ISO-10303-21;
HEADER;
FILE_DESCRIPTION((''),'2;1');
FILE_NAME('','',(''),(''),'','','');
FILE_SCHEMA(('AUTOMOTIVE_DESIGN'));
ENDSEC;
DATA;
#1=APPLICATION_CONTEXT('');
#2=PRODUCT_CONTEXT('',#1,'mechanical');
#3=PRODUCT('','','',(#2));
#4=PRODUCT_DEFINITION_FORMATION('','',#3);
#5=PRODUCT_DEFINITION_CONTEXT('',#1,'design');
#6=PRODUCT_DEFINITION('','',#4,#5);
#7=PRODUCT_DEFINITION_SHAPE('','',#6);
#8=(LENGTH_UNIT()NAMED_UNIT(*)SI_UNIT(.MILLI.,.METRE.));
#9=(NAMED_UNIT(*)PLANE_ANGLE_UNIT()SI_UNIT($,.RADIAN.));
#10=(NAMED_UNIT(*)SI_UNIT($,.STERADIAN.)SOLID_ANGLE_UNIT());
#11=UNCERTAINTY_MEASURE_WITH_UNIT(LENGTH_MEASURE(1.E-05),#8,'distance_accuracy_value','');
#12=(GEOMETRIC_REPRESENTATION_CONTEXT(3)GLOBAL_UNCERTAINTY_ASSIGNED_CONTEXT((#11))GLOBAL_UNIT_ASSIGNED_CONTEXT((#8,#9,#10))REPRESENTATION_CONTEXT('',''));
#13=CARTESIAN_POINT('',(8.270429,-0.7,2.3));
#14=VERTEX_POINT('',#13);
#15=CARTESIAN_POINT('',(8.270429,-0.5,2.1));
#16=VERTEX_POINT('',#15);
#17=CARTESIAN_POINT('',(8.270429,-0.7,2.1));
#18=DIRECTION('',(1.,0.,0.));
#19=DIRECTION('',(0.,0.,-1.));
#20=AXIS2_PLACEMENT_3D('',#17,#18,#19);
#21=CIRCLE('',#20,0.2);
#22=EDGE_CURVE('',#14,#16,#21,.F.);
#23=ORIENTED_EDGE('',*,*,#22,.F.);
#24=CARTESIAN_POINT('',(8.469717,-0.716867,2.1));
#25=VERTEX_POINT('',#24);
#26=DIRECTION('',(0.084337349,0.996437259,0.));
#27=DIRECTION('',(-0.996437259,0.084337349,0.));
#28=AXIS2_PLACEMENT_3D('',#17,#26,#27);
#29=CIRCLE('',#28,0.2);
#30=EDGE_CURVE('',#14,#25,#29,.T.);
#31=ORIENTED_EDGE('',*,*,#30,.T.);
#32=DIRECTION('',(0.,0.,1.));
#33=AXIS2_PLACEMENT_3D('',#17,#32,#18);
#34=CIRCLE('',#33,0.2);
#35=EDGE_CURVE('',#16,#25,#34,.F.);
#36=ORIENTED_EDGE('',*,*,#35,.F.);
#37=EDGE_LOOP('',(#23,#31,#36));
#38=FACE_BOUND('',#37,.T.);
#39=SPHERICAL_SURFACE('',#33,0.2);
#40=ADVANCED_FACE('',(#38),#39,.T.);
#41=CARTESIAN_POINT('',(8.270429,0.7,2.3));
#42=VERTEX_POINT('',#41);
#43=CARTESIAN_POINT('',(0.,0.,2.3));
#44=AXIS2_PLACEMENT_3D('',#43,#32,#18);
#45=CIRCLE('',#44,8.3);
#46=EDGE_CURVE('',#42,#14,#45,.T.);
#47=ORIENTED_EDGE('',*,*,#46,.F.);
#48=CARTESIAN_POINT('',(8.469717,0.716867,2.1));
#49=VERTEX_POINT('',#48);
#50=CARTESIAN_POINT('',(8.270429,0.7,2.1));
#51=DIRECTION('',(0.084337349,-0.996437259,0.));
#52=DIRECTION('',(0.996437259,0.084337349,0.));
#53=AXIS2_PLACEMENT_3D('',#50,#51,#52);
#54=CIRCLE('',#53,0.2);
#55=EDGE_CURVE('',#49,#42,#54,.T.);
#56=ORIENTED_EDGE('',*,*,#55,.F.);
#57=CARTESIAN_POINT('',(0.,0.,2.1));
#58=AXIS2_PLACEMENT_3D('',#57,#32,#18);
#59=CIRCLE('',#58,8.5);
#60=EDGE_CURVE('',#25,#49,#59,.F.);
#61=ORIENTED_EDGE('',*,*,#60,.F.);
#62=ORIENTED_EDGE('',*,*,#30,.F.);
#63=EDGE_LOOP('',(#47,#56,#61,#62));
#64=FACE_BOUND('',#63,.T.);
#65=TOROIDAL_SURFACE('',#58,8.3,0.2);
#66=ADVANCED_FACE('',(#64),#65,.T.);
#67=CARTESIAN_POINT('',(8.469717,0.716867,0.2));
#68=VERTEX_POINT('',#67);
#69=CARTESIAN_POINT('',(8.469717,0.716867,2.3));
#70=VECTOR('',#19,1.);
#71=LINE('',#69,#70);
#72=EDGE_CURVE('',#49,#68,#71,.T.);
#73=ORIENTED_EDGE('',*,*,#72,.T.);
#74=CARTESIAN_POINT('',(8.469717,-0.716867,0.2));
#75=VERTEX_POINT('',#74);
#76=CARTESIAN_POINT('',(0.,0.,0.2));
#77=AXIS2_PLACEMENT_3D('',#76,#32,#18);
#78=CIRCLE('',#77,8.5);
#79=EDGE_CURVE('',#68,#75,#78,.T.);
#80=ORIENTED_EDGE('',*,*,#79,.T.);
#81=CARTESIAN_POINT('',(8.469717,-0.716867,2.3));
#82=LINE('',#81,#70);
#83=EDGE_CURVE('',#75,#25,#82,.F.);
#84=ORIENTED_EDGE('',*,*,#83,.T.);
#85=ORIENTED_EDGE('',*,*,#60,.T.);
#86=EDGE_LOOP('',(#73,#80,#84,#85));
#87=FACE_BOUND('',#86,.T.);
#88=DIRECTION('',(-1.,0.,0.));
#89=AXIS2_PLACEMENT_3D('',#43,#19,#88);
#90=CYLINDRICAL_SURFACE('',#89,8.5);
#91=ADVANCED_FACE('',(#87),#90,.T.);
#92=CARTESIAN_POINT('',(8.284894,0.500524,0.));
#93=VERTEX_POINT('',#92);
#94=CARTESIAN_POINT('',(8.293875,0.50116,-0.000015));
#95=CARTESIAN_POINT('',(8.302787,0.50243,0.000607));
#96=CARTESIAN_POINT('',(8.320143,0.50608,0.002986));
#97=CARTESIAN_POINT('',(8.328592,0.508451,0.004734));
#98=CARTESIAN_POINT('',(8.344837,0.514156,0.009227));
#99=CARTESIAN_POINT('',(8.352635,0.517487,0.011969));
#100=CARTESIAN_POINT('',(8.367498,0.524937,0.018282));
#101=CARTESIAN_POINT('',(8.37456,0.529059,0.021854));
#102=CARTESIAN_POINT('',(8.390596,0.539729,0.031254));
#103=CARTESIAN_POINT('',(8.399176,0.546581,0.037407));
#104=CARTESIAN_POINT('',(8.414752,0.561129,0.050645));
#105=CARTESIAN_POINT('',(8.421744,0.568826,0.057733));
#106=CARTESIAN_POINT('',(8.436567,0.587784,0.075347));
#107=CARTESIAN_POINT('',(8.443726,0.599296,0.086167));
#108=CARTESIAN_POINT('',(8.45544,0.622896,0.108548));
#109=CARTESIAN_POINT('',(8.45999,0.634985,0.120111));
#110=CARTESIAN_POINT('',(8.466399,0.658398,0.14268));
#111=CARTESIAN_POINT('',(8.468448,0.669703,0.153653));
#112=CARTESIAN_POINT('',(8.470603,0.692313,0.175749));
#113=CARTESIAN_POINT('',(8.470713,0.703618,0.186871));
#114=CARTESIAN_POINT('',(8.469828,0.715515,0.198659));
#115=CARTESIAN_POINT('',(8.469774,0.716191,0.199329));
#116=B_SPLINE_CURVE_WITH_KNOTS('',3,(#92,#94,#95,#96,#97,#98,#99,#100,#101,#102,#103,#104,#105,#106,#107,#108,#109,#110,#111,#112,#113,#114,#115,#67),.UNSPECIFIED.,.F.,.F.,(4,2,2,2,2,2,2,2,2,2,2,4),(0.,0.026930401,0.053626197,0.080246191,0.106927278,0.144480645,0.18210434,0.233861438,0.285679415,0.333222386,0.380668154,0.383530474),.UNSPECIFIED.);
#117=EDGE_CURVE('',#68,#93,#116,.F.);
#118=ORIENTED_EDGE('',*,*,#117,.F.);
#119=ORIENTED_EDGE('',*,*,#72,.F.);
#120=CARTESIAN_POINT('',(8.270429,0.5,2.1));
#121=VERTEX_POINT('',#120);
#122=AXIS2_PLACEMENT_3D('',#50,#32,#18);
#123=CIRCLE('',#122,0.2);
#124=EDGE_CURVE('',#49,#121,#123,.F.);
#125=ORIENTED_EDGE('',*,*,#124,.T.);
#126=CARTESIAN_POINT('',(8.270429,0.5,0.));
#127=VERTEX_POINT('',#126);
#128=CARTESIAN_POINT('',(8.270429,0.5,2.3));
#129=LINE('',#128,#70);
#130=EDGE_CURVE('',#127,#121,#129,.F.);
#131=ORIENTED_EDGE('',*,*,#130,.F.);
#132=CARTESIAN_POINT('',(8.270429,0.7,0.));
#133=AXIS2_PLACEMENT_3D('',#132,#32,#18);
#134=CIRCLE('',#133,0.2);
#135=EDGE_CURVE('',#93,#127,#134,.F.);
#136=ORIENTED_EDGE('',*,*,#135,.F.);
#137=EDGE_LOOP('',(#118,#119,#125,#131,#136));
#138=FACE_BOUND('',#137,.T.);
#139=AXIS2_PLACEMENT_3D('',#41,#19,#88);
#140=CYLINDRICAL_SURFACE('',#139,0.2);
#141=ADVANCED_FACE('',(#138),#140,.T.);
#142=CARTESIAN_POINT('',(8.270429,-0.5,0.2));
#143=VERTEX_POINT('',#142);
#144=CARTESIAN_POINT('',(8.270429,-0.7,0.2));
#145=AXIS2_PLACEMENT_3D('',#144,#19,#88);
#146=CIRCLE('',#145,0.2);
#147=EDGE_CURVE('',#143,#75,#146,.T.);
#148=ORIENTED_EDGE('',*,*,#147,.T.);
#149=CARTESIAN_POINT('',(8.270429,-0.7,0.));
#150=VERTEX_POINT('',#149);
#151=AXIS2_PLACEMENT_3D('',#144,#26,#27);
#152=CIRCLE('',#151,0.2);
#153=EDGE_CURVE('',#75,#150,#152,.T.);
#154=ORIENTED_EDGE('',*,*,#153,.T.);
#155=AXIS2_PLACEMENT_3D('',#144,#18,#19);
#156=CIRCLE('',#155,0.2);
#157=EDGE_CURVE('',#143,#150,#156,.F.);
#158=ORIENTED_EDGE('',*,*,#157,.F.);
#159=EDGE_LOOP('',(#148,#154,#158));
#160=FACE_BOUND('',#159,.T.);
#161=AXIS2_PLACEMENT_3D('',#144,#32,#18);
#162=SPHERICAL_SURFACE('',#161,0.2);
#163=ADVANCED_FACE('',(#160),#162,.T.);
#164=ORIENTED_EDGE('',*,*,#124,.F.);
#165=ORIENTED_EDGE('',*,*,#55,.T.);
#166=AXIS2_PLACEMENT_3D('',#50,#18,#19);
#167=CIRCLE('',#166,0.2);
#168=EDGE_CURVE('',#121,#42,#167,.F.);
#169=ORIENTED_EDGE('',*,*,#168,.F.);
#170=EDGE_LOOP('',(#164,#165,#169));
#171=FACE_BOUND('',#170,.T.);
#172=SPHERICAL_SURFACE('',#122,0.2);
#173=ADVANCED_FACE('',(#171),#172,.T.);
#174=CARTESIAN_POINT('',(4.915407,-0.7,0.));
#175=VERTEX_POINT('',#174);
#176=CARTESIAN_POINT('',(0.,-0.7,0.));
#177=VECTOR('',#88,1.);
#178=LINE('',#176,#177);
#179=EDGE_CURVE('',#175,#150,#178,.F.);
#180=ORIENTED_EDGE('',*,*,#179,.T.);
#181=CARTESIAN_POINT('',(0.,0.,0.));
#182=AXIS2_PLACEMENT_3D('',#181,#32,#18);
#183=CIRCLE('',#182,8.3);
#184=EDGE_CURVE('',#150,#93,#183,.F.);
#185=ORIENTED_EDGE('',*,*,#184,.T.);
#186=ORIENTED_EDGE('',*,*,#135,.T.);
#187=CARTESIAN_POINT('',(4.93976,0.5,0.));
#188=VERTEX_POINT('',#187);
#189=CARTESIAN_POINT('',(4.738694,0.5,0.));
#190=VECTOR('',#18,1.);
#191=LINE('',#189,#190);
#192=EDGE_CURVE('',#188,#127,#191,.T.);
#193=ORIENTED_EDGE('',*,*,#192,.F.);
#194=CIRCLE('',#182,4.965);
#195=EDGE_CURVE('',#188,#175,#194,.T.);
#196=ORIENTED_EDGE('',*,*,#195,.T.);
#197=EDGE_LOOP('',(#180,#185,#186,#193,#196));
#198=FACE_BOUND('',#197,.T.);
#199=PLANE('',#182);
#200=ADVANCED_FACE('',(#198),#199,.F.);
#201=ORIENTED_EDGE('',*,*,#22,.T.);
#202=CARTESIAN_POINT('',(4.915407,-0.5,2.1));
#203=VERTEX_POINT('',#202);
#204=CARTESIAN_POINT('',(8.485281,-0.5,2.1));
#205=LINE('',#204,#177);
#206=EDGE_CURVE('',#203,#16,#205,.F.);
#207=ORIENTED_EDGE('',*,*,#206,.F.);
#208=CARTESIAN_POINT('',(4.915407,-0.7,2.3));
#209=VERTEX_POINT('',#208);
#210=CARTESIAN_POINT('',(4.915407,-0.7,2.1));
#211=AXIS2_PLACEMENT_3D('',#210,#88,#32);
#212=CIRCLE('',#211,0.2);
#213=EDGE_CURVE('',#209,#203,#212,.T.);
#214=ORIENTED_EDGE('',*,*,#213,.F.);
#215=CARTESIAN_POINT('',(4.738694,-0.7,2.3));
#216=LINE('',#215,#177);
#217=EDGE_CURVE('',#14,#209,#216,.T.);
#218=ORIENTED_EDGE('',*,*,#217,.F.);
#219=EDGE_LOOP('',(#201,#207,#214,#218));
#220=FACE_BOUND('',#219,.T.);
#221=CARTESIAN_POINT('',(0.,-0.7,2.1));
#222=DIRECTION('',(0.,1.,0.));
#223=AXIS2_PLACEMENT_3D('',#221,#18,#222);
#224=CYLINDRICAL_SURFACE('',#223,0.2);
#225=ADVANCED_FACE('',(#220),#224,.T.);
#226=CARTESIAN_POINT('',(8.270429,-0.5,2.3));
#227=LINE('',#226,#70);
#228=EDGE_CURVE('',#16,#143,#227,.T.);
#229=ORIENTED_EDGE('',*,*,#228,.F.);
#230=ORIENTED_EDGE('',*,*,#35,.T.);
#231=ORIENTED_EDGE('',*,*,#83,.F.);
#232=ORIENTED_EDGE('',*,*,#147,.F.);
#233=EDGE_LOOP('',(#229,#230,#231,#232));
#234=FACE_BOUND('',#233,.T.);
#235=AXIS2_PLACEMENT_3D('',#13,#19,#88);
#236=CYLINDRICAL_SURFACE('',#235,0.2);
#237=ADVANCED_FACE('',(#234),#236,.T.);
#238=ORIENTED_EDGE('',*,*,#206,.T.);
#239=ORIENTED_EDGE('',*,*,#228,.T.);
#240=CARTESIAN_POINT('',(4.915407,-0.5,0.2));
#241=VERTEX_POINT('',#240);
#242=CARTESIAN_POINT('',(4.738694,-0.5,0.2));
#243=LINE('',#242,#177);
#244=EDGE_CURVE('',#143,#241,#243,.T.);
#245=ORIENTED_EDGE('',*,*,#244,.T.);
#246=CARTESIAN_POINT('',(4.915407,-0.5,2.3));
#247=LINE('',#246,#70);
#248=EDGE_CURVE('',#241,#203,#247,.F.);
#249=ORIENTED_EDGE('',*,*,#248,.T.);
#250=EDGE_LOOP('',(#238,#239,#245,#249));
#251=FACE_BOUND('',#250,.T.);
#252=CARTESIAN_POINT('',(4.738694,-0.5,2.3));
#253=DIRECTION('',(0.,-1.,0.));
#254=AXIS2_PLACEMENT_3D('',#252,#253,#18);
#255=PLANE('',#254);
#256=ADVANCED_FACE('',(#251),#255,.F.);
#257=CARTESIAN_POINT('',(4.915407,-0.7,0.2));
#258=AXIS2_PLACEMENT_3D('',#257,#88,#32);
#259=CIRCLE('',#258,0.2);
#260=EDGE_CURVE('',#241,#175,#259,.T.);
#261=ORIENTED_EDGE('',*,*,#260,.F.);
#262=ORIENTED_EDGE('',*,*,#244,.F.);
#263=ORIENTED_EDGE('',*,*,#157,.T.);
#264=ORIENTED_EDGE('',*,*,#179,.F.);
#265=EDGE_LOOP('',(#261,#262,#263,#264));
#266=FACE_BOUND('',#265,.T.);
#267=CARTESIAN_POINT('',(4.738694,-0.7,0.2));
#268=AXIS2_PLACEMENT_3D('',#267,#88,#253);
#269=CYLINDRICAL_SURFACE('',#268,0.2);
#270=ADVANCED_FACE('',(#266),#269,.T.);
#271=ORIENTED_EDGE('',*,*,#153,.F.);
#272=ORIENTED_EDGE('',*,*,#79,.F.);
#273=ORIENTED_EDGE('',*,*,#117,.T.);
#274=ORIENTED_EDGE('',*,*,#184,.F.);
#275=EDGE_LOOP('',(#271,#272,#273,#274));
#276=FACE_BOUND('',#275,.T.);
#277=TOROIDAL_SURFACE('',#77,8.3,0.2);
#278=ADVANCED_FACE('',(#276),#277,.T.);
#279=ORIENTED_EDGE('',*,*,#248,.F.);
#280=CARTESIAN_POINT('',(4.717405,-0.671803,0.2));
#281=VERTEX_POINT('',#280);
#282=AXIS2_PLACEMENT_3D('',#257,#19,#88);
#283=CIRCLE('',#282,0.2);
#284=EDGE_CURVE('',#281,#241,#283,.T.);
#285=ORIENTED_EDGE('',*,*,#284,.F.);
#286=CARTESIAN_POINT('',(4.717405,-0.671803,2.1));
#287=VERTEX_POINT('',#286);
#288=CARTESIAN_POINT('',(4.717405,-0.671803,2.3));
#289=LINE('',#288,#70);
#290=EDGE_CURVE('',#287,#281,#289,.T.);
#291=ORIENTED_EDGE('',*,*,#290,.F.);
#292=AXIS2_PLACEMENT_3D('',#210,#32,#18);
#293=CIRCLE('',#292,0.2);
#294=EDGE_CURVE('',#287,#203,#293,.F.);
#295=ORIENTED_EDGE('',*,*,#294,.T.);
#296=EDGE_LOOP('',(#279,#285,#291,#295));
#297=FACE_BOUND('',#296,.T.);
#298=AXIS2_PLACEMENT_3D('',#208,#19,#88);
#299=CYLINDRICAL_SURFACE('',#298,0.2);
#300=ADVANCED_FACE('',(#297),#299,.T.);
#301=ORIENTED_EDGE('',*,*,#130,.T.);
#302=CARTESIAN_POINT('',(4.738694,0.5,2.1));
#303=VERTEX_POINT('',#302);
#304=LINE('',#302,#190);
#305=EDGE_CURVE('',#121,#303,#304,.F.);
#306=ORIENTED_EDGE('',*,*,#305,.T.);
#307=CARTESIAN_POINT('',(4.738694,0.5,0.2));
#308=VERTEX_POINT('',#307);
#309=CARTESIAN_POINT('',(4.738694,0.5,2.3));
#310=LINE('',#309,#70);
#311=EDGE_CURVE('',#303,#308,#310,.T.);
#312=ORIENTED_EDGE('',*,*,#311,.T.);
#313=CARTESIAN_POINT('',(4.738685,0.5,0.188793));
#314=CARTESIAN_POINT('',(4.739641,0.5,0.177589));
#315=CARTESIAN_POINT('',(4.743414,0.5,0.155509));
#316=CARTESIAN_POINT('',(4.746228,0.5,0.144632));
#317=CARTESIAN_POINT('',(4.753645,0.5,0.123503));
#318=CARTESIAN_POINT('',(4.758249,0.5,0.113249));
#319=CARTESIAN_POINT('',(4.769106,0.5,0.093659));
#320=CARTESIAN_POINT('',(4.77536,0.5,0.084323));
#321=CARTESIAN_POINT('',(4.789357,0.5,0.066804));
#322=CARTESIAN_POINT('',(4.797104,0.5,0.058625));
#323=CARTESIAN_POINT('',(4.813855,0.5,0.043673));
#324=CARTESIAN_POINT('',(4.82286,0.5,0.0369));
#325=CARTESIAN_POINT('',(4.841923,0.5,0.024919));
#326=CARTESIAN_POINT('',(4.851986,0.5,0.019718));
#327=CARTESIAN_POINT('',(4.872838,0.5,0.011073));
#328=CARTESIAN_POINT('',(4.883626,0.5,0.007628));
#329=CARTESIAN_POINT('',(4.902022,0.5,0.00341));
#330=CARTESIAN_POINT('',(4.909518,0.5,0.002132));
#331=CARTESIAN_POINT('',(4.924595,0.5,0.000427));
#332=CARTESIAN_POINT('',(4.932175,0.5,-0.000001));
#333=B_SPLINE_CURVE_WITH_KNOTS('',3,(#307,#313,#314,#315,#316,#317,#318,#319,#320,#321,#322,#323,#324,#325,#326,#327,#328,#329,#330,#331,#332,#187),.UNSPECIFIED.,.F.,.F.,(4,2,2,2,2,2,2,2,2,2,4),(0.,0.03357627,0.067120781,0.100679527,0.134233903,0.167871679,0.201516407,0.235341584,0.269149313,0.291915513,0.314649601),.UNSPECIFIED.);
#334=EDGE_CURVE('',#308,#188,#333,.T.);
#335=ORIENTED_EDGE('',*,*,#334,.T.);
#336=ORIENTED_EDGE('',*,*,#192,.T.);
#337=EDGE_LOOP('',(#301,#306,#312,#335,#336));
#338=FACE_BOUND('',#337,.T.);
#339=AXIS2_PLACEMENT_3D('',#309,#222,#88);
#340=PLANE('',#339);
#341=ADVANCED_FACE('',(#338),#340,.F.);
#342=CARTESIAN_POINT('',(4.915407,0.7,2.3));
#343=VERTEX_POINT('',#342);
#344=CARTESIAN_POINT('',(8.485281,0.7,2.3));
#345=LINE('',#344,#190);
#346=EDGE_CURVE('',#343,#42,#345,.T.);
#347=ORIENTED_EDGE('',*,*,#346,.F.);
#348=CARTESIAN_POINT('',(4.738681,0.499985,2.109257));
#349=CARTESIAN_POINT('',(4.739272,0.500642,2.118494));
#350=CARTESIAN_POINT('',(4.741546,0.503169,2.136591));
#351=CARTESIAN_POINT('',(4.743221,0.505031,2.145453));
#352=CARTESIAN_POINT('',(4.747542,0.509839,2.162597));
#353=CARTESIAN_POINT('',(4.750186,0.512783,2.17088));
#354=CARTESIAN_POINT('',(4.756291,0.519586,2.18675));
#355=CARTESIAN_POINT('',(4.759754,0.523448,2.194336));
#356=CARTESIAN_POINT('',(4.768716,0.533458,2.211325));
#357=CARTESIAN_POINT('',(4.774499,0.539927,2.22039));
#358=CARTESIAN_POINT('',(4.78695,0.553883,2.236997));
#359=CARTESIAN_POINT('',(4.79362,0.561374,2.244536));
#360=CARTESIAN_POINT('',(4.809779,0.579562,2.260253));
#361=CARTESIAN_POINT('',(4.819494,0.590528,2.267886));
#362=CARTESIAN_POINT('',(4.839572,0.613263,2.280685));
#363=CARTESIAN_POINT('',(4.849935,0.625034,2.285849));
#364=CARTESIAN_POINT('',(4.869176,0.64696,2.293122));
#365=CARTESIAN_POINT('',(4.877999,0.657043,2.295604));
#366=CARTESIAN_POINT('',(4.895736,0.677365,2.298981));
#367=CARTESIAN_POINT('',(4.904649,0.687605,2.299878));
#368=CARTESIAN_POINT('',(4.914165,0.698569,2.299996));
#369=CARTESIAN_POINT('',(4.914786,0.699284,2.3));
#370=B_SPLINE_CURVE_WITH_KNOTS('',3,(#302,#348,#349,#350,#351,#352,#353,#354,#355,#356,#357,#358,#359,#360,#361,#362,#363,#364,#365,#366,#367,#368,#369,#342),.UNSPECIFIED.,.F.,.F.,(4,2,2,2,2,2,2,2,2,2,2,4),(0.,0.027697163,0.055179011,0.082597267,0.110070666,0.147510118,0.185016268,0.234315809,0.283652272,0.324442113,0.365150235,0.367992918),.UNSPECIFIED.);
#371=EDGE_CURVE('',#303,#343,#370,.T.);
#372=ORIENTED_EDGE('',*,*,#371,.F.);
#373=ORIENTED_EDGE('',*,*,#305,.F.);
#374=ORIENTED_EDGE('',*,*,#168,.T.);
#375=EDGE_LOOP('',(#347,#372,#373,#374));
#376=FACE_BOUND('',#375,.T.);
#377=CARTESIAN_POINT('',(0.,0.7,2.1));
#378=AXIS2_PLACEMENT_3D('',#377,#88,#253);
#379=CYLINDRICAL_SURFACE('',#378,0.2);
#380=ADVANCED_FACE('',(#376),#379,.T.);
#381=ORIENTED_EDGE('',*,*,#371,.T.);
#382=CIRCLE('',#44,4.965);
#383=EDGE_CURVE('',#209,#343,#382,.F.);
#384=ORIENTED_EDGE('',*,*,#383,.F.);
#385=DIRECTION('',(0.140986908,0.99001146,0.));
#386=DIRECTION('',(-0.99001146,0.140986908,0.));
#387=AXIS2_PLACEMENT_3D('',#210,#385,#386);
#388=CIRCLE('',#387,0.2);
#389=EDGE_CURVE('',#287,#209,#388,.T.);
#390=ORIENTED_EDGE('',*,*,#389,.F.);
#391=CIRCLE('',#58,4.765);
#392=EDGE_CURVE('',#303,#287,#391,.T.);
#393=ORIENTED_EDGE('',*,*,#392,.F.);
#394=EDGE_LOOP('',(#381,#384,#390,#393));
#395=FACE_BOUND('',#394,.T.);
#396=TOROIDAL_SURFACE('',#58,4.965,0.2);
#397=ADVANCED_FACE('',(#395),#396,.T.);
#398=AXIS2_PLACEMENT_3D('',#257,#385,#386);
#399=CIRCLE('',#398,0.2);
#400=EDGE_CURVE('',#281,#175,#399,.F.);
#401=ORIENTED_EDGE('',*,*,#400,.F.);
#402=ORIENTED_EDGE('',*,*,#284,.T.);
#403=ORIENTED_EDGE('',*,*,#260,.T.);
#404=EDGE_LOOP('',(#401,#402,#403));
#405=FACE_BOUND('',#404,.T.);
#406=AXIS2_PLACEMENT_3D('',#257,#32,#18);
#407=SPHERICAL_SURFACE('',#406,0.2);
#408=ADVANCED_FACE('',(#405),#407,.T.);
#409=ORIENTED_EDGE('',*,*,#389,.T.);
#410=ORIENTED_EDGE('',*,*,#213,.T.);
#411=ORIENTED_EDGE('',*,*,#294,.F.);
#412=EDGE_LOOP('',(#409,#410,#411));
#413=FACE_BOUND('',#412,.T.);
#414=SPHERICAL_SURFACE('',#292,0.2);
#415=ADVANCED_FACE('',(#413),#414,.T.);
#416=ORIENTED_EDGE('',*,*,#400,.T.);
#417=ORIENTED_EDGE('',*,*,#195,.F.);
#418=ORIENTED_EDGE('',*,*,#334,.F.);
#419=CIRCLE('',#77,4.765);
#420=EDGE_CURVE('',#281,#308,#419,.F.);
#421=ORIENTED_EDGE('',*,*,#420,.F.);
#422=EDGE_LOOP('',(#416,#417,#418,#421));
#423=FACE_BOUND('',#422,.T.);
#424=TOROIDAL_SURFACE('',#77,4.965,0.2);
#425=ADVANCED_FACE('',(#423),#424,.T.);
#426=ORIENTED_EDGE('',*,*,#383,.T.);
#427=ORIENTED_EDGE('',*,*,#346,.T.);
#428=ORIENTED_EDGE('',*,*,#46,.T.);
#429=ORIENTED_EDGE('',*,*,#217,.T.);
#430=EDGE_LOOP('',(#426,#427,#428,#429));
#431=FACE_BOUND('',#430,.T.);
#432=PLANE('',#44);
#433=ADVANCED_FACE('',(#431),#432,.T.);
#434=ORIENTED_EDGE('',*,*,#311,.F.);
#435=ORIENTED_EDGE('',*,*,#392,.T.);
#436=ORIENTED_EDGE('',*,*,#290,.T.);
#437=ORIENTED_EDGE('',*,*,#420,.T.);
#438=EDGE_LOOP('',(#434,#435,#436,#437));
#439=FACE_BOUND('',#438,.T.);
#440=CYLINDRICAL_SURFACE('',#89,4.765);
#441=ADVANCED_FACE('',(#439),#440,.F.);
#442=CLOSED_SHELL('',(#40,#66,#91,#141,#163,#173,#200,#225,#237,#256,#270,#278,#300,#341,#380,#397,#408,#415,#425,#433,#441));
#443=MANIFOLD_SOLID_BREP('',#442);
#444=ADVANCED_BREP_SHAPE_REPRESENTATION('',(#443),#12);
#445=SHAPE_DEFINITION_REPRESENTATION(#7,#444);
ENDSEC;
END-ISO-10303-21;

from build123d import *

# Parameters (mm, degrees)
RESSALTO_EXTRUS_O1_DEPTH = 2.3
FILETE1_R                = 0.2


with BuildPart() as part:
    # Esboço1 → Ressalto-extrusão1 (new body)
    with BuildSketch(Plane.XY):
        with BuildLine():
            Line((4.73869444, 0.5), (8.485281374, 0.5))
            ThreePointArc((8.485281374, 0.5), (-8.5, 0), (8.485281374, -0.5))
            Line((8.485281374, -0.5), (4.73869444, -0.5))
            ThreePointArc((4.73869444, -0.5), (-4.765, 0), (4.73869444, 0.5))
        make_face()
    extrude(amount=RESSALTO_EXTRUS_O1_DEPTH)

    # Filete1
    filete1_edges = [part.edges().sort_by_distance(p)[0] for p in [
        (-8.5, 0, 2.3),
        (6.611987907, -0.5, 2.3),
        (-4.765, 0, 2.3),
        (6.611987907, -0.5, 0),
        (-8.5, 0, 0),
        (-4.765, 0, 0),
        (6.611987907, 0.5, 2.3),
        (4.73869444, -0.5, 1.15),
        (8.485281374, -0.5, 1.15),
        (8.485281374, 0.5, 1.15),
    ]]
    fillet(filete1_edges, radius=FILETE1_R)


solid = part.part
